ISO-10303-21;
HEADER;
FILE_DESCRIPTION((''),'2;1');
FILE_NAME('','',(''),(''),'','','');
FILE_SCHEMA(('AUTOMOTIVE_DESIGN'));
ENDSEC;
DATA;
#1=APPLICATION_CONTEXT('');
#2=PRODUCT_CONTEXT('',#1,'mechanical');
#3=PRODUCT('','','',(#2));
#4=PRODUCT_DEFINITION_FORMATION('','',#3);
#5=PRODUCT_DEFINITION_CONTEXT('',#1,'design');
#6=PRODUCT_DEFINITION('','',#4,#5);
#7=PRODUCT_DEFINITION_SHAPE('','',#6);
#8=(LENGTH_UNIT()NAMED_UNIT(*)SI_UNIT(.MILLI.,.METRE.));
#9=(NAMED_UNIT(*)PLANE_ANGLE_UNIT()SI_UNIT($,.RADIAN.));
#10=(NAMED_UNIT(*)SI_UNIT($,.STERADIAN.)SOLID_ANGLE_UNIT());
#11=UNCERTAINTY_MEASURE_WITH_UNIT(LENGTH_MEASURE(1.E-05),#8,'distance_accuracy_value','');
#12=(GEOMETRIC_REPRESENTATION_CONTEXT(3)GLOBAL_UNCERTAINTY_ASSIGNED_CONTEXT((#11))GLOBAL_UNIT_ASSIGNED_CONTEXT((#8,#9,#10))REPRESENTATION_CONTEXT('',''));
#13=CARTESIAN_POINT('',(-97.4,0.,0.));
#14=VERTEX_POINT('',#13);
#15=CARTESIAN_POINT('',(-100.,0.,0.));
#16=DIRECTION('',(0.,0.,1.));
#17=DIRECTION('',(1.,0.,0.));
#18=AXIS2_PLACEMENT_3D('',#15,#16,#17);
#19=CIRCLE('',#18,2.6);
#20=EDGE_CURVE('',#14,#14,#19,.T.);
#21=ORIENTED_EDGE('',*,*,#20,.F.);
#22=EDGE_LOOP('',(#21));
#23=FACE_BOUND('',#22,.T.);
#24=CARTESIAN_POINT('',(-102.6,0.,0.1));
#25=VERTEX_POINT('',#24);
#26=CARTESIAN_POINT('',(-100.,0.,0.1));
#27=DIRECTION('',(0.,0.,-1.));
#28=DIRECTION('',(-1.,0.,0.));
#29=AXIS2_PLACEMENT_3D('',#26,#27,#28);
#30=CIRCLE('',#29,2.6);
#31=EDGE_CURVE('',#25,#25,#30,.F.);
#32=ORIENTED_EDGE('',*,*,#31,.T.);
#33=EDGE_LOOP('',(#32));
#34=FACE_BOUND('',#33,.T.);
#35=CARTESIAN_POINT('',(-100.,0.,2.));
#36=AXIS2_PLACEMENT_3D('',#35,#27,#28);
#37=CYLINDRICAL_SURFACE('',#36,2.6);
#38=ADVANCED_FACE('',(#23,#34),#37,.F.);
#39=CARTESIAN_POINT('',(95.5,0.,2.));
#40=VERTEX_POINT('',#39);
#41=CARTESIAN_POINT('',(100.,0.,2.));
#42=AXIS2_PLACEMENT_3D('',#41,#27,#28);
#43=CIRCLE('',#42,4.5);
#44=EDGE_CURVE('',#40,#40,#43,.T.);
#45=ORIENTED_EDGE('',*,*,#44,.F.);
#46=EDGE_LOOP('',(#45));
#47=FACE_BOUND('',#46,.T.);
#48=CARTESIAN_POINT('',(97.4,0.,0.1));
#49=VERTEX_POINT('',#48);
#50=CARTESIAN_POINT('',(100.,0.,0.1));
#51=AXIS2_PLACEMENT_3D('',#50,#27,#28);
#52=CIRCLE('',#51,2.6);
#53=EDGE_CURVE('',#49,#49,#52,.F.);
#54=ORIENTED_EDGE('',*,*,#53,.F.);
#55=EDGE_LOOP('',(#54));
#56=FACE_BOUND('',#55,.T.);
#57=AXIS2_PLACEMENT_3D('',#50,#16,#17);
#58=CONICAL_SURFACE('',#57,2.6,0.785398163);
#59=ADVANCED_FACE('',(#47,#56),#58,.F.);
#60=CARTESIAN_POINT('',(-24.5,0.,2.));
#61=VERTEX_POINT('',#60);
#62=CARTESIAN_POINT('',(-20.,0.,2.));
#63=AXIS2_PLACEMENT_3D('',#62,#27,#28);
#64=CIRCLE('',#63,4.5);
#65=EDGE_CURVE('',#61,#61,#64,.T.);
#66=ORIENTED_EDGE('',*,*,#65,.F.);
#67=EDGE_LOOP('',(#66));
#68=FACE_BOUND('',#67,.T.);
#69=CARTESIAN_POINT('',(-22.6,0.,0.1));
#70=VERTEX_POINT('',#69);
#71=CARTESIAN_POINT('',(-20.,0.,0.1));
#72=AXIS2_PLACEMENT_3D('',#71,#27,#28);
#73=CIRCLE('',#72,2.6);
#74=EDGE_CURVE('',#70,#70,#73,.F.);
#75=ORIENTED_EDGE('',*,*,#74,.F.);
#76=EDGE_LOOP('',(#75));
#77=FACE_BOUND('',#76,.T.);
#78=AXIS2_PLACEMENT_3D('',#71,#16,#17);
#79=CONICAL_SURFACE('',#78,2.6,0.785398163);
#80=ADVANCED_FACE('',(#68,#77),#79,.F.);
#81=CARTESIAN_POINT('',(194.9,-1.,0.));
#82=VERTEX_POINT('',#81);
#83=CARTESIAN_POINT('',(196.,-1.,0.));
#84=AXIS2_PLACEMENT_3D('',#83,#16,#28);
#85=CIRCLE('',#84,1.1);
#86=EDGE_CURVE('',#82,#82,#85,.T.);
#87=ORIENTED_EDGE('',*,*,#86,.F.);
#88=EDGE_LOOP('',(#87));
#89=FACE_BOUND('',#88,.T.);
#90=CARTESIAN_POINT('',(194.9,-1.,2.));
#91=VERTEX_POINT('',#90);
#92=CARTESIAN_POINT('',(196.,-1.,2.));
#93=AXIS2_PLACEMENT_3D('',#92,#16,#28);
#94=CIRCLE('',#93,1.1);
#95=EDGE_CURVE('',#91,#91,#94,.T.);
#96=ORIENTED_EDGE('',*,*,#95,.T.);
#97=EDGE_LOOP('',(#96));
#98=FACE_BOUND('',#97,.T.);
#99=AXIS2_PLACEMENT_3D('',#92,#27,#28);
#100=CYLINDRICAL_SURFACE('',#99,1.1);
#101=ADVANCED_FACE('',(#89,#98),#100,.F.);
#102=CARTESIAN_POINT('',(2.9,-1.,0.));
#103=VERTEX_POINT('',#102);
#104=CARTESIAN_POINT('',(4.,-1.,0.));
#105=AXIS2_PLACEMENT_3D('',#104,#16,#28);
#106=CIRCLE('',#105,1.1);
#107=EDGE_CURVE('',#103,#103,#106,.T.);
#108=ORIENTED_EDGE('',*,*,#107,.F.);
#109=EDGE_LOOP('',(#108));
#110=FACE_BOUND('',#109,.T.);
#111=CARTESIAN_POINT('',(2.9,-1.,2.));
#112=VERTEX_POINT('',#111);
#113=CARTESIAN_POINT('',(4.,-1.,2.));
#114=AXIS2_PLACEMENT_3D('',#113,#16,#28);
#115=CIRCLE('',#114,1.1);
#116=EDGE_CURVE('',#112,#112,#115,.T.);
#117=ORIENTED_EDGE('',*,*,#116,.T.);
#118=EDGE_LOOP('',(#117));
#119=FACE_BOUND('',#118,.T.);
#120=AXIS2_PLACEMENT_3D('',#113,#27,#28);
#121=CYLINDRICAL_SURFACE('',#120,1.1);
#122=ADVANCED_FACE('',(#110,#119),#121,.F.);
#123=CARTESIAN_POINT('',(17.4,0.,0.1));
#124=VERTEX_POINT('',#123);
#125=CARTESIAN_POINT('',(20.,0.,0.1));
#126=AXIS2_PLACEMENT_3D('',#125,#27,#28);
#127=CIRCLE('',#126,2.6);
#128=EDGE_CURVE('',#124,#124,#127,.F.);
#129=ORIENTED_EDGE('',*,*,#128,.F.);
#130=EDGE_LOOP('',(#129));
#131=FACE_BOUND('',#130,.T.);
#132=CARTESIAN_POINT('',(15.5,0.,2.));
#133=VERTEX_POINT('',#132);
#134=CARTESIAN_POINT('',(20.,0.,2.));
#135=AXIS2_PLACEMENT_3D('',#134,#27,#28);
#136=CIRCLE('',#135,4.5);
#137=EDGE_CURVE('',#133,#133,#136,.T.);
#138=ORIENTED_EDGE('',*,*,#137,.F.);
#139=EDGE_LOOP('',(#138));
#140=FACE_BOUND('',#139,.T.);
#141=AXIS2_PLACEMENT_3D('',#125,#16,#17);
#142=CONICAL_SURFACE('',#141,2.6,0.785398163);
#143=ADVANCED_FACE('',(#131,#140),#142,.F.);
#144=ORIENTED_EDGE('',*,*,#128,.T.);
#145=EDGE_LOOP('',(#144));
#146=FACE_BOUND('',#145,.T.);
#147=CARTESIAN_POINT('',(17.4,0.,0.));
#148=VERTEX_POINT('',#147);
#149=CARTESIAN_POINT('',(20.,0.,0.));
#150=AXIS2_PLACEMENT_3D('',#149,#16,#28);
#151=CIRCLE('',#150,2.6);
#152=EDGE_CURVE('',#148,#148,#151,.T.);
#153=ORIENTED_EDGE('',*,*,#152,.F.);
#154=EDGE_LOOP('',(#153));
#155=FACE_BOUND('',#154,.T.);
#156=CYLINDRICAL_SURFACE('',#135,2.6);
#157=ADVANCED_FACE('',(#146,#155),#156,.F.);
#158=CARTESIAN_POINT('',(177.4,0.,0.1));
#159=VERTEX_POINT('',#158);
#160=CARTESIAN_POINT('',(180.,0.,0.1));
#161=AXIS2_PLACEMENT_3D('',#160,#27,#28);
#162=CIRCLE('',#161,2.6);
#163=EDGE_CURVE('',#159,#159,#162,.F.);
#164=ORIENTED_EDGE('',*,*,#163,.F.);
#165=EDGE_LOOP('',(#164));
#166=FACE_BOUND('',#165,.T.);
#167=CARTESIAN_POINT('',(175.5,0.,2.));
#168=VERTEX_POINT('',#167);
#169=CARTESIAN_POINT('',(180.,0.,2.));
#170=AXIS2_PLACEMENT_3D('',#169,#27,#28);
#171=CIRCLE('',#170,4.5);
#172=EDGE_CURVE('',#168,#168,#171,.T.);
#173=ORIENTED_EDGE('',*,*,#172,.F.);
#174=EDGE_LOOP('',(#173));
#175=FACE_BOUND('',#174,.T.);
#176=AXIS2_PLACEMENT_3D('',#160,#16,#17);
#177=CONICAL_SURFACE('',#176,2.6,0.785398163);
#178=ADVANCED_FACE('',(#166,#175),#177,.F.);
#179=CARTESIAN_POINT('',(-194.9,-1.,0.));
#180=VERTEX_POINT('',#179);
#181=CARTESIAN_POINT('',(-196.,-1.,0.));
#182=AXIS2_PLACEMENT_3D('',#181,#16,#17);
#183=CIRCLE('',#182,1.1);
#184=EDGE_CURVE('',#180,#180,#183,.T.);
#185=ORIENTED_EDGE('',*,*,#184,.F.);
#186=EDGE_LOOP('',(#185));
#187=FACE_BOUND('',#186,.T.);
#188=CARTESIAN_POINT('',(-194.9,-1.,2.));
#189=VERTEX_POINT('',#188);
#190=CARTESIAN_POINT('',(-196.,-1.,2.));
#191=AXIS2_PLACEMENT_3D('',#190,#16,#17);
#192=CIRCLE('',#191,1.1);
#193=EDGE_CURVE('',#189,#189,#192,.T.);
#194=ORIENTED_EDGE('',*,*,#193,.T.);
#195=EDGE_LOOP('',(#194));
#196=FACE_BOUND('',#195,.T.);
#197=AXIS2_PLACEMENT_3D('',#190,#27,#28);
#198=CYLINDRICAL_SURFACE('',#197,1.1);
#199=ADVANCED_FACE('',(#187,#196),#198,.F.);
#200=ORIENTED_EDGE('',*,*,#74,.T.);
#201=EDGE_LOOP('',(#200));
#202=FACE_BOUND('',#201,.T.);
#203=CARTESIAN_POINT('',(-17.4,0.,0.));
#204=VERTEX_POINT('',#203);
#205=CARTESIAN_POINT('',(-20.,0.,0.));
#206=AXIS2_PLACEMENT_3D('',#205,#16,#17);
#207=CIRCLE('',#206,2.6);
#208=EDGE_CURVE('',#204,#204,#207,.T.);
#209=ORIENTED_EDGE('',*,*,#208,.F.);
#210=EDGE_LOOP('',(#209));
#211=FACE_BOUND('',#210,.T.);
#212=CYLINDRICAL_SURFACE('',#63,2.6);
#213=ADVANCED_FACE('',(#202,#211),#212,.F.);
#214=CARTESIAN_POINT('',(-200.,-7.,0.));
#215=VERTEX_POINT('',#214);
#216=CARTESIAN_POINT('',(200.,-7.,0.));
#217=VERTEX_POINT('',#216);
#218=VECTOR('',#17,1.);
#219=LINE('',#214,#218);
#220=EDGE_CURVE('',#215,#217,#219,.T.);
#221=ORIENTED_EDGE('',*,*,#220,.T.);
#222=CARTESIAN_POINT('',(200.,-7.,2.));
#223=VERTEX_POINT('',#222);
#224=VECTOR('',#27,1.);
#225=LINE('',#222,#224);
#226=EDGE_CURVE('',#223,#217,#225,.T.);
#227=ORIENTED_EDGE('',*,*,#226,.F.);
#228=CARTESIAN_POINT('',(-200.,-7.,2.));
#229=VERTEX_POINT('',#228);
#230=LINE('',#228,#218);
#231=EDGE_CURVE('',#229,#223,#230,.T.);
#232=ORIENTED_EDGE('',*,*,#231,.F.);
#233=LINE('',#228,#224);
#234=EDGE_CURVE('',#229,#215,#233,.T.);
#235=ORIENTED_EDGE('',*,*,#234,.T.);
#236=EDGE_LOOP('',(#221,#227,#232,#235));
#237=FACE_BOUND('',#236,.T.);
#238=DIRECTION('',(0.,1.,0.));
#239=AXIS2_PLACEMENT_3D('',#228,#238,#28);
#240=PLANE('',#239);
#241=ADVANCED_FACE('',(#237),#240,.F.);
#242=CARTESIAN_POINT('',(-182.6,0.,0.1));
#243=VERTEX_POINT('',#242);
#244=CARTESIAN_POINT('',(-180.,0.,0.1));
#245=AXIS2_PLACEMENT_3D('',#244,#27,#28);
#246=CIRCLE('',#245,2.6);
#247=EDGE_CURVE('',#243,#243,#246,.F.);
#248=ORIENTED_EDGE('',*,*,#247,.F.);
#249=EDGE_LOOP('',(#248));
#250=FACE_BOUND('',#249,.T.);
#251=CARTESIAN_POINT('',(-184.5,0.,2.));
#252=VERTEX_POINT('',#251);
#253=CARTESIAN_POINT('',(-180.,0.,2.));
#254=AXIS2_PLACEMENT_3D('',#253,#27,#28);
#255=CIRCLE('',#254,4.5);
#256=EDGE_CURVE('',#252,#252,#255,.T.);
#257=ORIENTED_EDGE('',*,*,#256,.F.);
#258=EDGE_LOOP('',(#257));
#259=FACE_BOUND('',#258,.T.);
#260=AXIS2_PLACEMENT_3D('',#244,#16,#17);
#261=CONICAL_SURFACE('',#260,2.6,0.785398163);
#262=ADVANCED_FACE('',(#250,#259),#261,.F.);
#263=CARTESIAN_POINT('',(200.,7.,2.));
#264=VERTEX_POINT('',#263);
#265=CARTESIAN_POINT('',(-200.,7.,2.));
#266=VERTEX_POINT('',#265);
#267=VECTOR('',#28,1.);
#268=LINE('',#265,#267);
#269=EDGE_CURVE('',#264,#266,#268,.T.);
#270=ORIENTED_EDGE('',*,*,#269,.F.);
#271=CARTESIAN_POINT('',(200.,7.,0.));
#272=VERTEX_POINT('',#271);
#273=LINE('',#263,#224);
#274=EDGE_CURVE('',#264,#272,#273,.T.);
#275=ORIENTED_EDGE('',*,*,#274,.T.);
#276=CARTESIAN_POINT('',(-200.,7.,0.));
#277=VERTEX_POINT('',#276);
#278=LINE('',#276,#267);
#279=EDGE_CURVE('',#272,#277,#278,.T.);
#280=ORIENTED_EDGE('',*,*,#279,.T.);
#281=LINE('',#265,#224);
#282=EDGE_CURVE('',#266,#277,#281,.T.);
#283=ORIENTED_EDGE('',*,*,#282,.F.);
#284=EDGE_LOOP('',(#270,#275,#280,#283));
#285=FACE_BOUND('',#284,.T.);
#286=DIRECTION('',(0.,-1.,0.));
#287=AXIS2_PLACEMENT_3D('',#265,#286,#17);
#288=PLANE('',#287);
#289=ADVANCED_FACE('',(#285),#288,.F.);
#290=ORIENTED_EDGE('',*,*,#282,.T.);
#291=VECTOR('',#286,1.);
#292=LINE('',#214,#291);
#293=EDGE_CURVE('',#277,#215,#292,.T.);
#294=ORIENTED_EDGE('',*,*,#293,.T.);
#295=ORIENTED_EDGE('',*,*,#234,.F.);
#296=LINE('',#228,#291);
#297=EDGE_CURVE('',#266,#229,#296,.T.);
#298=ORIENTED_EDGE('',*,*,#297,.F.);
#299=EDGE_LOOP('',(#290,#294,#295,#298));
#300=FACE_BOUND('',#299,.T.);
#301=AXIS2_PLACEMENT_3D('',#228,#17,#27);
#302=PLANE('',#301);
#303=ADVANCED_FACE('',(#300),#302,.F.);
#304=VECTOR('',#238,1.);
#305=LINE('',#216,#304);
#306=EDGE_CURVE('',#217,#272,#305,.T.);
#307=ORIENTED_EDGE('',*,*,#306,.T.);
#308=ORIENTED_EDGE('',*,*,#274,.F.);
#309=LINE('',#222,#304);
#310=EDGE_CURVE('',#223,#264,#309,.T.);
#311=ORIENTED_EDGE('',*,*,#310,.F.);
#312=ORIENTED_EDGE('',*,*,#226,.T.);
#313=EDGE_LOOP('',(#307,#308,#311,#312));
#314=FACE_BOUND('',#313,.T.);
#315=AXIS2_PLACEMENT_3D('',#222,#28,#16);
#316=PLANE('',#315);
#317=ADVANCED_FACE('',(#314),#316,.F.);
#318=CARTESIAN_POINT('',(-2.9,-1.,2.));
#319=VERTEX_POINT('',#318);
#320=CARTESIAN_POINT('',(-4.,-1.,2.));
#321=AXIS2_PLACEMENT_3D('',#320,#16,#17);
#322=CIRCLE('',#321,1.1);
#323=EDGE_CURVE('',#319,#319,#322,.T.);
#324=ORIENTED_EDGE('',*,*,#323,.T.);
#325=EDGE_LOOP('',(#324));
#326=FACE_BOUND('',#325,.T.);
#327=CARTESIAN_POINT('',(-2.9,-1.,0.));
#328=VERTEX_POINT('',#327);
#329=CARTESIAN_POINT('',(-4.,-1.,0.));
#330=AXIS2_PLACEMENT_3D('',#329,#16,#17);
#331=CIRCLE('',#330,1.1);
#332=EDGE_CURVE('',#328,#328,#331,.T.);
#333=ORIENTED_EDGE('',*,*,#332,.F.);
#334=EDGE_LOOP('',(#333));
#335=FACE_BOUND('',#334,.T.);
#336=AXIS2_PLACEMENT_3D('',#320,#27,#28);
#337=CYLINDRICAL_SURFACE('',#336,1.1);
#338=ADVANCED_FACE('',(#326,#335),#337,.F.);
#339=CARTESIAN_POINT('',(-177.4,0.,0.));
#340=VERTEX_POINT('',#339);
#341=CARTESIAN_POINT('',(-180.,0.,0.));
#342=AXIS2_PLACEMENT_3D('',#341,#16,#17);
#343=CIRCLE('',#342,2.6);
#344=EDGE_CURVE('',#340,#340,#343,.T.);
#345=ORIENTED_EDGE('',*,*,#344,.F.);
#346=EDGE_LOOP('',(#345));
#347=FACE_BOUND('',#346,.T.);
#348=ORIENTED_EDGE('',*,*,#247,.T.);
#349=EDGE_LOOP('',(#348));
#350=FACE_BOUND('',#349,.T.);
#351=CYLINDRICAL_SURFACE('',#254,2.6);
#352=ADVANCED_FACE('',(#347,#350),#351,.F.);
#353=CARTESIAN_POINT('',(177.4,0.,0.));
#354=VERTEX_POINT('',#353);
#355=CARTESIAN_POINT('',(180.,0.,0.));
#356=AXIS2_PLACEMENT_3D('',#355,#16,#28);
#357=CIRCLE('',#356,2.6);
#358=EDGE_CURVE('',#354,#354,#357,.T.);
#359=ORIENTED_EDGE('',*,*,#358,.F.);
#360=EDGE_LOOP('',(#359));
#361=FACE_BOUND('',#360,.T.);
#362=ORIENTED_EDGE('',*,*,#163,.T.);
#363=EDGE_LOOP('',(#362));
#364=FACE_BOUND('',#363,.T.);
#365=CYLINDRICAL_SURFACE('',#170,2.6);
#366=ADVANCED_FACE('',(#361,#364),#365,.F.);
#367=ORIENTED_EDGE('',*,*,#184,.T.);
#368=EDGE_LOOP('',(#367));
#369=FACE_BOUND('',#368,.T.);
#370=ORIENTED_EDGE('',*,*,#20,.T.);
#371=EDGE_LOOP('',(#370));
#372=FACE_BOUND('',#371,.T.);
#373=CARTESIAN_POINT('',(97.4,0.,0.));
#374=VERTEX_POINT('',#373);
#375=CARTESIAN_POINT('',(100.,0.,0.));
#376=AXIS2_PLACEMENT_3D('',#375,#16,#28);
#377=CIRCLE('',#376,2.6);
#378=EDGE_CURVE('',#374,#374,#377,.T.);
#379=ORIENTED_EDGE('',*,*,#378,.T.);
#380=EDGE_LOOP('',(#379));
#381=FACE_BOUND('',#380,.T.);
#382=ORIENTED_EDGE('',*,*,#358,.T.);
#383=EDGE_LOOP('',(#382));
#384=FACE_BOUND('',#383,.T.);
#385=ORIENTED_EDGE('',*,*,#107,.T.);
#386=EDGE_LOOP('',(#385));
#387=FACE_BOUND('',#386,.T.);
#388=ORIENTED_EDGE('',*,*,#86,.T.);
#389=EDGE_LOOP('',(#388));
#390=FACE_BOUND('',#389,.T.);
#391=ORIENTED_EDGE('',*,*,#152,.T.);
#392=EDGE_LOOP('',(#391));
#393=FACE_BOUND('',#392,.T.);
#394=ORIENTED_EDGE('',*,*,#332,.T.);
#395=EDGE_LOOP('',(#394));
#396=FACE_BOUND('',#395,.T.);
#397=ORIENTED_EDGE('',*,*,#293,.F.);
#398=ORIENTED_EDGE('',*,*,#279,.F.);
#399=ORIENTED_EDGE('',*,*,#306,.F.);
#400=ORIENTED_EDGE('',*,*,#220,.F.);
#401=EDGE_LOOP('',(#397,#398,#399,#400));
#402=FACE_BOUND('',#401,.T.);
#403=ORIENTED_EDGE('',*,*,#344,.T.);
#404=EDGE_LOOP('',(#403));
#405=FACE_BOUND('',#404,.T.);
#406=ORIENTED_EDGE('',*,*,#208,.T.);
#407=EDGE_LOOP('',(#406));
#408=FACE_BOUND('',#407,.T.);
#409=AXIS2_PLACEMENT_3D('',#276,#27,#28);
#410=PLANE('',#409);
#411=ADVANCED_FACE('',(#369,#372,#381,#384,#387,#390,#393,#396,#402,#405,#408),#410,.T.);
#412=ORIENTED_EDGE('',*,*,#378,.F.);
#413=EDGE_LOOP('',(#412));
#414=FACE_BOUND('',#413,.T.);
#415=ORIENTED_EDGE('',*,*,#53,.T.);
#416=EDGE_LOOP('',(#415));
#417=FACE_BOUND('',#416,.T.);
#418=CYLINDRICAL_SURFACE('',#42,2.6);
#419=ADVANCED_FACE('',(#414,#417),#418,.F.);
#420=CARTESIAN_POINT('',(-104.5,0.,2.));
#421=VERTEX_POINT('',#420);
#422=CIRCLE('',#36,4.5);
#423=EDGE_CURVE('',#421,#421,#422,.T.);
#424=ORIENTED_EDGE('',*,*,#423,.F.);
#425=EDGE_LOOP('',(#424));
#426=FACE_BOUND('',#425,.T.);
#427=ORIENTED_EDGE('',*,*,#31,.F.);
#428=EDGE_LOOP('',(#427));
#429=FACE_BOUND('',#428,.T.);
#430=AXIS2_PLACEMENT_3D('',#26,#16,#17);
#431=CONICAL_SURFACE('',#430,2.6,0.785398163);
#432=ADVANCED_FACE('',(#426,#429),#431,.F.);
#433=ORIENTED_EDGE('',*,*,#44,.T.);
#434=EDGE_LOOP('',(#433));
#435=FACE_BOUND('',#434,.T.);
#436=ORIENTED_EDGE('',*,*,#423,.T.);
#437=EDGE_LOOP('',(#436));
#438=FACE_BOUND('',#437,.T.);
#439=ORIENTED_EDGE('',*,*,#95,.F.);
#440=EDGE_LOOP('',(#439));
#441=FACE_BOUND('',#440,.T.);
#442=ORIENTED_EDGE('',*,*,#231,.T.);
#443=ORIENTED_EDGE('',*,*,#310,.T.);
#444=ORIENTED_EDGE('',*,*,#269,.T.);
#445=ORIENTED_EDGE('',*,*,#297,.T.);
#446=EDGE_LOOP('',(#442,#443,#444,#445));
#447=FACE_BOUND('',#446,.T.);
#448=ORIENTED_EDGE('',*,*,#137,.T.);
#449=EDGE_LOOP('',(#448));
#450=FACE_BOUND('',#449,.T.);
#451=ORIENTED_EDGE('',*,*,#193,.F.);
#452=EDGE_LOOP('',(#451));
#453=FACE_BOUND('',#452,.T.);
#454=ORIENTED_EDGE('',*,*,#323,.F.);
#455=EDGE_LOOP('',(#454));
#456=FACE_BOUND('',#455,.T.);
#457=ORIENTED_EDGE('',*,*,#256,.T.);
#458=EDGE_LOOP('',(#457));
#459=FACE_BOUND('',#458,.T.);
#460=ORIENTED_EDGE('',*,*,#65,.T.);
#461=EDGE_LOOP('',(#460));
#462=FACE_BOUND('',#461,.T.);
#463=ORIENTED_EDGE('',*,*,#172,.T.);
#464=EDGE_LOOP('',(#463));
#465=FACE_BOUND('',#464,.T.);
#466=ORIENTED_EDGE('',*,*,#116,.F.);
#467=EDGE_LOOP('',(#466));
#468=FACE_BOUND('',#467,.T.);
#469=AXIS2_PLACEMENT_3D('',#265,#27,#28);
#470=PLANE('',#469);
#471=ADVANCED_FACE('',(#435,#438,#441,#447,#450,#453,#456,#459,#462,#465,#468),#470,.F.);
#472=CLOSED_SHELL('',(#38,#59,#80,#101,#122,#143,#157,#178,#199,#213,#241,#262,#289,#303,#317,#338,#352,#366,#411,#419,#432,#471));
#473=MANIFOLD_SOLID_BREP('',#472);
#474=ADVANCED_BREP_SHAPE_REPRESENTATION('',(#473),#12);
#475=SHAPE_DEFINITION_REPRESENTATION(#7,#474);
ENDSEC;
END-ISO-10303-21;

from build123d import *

# Parameters (mm, degrees)
SKETCH_1_W      = 400
SKETCH_1_H      = 14
SKETCH_1_R      = 2.6
SKETCH_1_R_2    = 1.1
EXTRUDE_1_DEPTH = 2
CHAMFER_1_SIZE  = 1.9


with BuildPart() as part:
    # Эскиз1 → Вытянуть1 (new body)
    with BuildSketch(Plane.XY):
        Rectangle(SKETCH_1_W, SKETCH_1_H)
        with Locations(Location((-180, 0, 0), (0, 0, 180))):
            Circle(SKETCH_1_R, mode=Mode.SUBTRACT)
        with Locations(Location((-100, 0, 0), (0, 0, 180))):
            Circle(SKETCH_1_R, mode=Mode.SUBTRACT)
        with Locations(Location((-20, 0, 0), (0, 0, 180))):
            Circle(SKETCH_1_R, mode=Mode.SUBTRACT)
        with Locations(Location((20, 0, 0), (0, 0, 180))):
            Circle(SKETCH_1_R, mode=Mode.SUBTRACT)
        with Locations(Location((100, 0, 0), (0, 0, 180))):
            Circle(SKETCH_1_R, mode=Mode.SUBTRACT)
        with Locations(Location((180, 0, 0), (0, 0, 180))):
            Circle(SKETCH_1_R, mode=Mode.SUBTRACT)
        with Locations((-196, -1)):
            Circle(SKETCH_1_R_2, mode=Mode.SUBTRACT)
        with Locations((-4, -1)):
            Circle(SKETCH_1_R_2, mode=Mode.SUBTRACT)
        with Locations(Location((4, -1, 0), (0, 0, 180))):
            Circle(SKETCH_1_R_2, mode=Mode.SUBTRACT)
        with Locations(Location((196, -1, 0), (0, 0, 180))):
            Circle(SKETCH_1_R_2, mode=Mode.SUBTRACT)
    extrude(amount=EXTRUDE_1_DEPTH)

    # Фаска1
    chamfer_1_edges = [part.edges().sort_by_distance(p)[0] for p in [
        (-177.4, 0, 2),
        (-97.4, 0, 2),
        (-17.4, 0, 2),
        (22.6, 0, 2),
        (102.6, 0, 2),
        (182.6, 0, 2),
    ]]
    chamfer(chamfer_1_edges, length=CHAMFER_1_SIZE)


solid = part.part
